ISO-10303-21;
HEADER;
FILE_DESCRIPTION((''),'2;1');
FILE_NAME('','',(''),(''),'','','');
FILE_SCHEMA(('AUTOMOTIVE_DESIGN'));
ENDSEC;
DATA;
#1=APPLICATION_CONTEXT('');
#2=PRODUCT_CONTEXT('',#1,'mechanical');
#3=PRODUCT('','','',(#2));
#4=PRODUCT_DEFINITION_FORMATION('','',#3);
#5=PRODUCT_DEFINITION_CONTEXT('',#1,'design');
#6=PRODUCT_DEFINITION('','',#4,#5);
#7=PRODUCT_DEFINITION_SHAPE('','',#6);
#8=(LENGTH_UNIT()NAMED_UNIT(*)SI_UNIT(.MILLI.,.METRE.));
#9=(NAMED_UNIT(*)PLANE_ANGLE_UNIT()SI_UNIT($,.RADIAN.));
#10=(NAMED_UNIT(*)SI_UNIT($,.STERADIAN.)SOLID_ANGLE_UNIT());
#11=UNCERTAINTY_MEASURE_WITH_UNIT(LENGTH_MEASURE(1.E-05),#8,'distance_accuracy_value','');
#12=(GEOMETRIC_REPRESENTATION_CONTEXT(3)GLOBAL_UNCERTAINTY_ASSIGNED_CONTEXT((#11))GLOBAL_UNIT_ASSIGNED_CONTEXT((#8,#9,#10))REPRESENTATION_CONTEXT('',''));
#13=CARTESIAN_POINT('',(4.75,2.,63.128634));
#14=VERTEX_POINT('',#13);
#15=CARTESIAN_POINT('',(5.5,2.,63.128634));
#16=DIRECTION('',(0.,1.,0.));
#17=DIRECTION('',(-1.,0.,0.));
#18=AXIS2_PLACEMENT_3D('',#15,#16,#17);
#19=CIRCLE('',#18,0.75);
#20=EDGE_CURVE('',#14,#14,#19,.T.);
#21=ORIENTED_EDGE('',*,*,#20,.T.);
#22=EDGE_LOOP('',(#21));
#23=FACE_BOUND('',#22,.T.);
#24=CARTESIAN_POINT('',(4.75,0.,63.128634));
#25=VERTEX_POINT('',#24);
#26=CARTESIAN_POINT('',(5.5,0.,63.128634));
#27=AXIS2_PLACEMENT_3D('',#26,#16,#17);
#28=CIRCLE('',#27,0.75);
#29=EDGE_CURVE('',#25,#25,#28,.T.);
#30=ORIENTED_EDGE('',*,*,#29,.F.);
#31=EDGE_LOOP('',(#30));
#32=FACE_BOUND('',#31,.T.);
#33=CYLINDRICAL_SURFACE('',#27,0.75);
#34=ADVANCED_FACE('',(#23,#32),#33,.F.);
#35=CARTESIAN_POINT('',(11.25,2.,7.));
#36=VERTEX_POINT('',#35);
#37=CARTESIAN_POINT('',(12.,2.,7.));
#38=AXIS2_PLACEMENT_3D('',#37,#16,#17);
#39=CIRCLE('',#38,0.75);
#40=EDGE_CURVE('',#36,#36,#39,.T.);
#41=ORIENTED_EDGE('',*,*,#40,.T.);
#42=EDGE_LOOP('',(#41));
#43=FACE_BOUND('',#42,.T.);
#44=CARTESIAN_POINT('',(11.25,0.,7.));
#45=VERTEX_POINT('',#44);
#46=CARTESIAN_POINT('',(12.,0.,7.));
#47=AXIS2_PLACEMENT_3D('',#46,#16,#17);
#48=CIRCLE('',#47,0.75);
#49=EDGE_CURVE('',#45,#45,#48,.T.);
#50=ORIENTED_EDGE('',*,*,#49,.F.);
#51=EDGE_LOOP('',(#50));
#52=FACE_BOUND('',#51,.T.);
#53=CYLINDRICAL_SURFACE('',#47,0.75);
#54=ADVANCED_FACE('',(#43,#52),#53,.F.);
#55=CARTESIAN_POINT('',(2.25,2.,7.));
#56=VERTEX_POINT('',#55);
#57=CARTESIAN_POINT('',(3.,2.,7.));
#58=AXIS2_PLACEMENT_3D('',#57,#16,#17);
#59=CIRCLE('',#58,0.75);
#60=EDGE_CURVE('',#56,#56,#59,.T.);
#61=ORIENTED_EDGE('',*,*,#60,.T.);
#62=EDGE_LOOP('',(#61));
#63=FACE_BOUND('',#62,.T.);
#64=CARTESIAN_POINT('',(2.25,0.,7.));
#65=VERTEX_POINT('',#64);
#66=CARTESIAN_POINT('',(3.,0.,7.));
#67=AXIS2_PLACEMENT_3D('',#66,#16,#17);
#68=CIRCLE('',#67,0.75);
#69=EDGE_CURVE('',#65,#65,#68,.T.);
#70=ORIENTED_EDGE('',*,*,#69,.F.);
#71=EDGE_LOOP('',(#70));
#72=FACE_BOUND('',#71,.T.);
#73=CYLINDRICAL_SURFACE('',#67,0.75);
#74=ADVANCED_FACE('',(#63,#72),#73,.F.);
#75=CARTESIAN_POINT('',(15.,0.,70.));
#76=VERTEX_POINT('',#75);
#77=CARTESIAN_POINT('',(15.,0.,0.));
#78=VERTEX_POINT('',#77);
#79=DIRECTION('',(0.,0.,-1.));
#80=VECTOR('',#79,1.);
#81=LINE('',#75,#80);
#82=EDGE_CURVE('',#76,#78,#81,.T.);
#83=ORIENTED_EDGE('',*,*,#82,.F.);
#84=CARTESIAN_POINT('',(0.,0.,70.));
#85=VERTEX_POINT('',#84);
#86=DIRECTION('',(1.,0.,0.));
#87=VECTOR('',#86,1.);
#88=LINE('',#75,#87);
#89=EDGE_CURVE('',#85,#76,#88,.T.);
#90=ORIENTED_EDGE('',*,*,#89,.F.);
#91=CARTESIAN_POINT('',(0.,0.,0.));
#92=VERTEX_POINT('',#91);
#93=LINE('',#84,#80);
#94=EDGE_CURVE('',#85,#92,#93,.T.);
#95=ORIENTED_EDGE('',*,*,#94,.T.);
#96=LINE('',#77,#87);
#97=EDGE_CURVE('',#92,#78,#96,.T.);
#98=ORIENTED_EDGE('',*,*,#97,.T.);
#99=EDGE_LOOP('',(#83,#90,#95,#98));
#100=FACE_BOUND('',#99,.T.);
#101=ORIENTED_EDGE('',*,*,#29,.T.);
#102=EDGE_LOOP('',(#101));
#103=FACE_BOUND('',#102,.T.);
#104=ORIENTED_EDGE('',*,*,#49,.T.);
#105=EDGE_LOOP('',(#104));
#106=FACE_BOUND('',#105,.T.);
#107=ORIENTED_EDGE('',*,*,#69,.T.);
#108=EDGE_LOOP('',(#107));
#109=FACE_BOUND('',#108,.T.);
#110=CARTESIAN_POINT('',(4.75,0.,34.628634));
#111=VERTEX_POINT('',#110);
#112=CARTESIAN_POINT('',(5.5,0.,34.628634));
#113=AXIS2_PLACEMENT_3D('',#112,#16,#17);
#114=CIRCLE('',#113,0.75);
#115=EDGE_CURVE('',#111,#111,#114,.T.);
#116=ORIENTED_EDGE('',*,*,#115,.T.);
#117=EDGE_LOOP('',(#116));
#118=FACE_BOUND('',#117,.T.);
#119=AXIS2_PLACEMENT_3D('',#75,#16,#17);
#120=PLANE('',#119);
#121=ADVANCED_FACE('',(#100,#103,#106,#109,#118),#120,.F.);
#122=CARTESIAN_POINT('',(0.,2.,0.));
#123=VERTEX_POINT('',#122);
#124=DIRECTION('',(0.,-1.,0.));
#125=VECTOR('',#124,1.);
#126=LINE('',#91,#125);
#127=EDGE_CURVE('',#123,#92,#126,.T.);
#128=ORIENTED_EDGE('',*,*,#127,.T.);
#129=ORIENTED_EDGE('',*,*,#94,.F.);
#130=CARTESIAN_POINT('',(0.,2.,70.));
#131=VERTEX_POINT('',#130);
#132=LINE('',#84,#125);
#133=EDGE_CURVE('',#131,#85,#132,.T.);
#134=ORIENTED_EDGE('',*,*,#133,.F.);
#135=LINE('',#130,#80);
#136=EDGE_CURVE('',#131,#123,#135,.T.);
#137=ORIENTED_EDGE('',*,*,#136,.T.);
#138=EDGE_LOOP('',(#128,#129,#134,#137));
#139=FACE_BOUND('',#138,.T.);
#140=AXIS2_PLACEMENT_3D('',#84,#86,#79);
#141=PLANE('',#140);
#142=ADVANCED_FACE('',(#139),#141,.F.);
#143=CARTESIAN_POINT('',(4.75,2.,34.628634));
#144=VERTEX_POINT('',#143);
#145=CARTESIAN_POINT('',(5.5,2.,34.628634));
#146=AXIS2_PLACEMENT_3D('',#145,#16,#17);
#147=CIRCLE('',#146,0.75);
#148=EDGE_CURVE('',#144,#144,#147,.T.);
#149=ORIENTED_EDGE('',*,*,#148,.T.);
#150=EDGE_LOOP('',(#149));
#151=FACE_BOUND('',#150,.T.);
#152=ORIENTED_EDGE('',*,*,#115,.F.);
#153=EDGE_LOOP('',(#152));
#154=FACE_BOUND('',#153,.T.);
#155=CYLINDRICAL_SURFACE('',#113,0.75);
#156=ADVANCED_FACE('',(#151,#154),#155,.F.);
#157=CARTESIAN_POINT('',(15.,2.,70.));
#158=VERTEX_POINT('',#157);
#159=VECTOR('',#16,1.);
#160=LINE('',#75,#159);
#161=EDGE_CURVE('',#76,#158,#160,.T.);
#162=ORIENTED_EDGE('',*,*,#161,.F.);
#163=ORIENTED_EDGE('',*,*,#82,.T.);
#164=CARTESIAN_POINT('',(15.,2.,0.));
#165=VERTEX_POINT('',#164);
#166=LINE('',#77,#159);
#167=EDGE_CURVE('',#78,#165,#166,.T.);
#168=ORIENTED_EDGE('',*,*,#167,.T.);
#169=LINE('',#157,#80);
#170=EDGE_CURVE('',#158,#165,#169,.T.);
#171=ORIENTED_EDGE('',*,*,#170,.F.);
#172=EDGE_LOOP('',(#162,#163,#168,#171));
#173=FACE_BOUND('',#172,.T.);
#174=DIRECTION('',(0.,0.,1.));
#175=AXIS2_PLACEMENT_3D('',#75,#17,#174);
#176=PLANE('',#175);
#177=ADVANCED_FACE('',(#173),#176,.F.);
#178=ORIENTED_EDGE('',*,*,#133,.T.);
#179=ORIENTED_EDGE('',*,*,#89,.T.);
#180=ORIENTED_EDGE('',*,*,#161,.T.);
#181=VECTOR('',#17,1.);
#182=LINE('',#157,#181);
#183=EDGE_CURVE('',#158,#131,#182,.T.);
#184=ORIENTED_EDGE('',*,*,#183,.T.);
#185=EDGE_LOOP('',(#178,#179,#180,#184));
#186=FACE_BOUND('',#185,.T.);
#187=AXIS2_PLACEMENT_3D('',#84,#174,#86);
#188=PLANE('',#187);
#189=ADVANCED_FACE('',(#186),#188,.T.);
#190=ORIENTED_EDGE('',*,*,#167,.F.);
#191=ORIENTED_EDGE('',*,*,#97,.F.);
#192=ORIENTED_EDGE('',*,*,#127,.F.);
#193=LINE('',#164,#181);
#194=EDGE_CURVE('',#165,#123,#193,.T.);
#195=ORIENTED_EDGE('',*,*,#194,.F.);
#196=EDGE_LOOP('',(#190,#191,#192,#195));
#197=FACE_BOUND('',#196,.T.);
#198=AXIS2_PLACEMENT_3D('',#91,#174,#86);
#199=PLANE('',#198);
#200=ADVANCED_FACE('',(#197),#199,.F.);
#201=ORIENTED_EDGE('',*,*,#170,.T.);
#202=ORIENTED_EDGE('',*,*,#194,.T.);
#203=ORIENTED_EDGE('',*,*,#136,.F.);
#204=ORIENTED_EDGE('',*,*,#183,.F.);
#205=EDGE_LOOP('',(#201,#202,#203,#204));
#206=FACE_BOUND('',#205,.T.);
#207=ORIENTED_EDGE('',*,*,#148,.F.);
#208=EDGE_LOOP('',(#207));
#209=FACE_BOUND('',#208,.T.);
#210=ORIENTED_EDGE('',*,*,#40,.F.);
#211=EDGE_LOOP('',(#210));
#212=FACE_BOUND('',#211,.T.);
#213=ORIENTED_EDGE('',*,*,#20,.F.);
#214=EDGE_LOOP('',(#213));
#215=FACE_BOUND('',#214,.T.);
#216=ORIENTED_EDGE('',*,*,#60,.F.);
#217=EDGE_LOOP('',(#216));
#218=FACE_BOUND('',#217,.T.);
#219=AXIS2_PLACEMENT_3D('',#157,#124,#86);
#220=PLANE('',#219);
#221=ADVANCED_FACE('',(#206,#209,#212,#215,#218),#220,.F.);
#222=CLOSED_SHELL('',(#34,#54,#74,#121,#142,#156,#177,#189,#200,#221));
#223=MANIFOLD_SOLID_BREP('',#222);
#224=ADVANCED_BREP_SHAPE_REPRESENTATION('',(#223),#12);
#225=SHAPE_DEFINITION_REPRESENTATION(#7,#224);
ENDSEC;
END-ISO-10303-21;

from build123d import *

# Parameters (mm, degrees)
SKETCH1_W           = 15
SKETCH1_H           = 2
BOSS_EXTRUDE1_DEPTH = 70
SKETCH2_R           = 0.75
CUT_EXTRUDE1_DEPTH  = 72.617037079


with BuildPart() as part:
    # Sketch1 → Boss-Extrude1 (new body)
    with BuildSketch(Plane.XY):
        with Locations((7.5, 1)):
            Rectangle(SKETCH1_W, SKETCH1_H)
    extrude(amount=BOSS_EXTRUDE1_DEPTH)

    # Sketch2 → Cut-Extrude1 (cut, through all)
    with BuildSketch(Plane(origin=(0, 2, 0), x_dir=(1, 0, 0), z_dir=(0, 1, 0))):
        with Locations(Location((12, -7, 0), (0, 0, 180))):
            Circle(SKETCH2_R)
        with Locations(Location((3, -7, 0), (0, 0, 180))):
            Circle(SKETCH2_R)
        with Locations(Location((5.5, -34.628634047, 0), (0, 0, 180))):
            Circle(SKETCH2_R)
        with Locations(Location((5.5, -63.128634047, 0), (0, 0, 180))):
            Circle(SKETCH2_R)
    extrude(amount=-CUT_EXTRUDE1_DEPTH, mode=Mode.SUBTRACT)


solid = part.part
